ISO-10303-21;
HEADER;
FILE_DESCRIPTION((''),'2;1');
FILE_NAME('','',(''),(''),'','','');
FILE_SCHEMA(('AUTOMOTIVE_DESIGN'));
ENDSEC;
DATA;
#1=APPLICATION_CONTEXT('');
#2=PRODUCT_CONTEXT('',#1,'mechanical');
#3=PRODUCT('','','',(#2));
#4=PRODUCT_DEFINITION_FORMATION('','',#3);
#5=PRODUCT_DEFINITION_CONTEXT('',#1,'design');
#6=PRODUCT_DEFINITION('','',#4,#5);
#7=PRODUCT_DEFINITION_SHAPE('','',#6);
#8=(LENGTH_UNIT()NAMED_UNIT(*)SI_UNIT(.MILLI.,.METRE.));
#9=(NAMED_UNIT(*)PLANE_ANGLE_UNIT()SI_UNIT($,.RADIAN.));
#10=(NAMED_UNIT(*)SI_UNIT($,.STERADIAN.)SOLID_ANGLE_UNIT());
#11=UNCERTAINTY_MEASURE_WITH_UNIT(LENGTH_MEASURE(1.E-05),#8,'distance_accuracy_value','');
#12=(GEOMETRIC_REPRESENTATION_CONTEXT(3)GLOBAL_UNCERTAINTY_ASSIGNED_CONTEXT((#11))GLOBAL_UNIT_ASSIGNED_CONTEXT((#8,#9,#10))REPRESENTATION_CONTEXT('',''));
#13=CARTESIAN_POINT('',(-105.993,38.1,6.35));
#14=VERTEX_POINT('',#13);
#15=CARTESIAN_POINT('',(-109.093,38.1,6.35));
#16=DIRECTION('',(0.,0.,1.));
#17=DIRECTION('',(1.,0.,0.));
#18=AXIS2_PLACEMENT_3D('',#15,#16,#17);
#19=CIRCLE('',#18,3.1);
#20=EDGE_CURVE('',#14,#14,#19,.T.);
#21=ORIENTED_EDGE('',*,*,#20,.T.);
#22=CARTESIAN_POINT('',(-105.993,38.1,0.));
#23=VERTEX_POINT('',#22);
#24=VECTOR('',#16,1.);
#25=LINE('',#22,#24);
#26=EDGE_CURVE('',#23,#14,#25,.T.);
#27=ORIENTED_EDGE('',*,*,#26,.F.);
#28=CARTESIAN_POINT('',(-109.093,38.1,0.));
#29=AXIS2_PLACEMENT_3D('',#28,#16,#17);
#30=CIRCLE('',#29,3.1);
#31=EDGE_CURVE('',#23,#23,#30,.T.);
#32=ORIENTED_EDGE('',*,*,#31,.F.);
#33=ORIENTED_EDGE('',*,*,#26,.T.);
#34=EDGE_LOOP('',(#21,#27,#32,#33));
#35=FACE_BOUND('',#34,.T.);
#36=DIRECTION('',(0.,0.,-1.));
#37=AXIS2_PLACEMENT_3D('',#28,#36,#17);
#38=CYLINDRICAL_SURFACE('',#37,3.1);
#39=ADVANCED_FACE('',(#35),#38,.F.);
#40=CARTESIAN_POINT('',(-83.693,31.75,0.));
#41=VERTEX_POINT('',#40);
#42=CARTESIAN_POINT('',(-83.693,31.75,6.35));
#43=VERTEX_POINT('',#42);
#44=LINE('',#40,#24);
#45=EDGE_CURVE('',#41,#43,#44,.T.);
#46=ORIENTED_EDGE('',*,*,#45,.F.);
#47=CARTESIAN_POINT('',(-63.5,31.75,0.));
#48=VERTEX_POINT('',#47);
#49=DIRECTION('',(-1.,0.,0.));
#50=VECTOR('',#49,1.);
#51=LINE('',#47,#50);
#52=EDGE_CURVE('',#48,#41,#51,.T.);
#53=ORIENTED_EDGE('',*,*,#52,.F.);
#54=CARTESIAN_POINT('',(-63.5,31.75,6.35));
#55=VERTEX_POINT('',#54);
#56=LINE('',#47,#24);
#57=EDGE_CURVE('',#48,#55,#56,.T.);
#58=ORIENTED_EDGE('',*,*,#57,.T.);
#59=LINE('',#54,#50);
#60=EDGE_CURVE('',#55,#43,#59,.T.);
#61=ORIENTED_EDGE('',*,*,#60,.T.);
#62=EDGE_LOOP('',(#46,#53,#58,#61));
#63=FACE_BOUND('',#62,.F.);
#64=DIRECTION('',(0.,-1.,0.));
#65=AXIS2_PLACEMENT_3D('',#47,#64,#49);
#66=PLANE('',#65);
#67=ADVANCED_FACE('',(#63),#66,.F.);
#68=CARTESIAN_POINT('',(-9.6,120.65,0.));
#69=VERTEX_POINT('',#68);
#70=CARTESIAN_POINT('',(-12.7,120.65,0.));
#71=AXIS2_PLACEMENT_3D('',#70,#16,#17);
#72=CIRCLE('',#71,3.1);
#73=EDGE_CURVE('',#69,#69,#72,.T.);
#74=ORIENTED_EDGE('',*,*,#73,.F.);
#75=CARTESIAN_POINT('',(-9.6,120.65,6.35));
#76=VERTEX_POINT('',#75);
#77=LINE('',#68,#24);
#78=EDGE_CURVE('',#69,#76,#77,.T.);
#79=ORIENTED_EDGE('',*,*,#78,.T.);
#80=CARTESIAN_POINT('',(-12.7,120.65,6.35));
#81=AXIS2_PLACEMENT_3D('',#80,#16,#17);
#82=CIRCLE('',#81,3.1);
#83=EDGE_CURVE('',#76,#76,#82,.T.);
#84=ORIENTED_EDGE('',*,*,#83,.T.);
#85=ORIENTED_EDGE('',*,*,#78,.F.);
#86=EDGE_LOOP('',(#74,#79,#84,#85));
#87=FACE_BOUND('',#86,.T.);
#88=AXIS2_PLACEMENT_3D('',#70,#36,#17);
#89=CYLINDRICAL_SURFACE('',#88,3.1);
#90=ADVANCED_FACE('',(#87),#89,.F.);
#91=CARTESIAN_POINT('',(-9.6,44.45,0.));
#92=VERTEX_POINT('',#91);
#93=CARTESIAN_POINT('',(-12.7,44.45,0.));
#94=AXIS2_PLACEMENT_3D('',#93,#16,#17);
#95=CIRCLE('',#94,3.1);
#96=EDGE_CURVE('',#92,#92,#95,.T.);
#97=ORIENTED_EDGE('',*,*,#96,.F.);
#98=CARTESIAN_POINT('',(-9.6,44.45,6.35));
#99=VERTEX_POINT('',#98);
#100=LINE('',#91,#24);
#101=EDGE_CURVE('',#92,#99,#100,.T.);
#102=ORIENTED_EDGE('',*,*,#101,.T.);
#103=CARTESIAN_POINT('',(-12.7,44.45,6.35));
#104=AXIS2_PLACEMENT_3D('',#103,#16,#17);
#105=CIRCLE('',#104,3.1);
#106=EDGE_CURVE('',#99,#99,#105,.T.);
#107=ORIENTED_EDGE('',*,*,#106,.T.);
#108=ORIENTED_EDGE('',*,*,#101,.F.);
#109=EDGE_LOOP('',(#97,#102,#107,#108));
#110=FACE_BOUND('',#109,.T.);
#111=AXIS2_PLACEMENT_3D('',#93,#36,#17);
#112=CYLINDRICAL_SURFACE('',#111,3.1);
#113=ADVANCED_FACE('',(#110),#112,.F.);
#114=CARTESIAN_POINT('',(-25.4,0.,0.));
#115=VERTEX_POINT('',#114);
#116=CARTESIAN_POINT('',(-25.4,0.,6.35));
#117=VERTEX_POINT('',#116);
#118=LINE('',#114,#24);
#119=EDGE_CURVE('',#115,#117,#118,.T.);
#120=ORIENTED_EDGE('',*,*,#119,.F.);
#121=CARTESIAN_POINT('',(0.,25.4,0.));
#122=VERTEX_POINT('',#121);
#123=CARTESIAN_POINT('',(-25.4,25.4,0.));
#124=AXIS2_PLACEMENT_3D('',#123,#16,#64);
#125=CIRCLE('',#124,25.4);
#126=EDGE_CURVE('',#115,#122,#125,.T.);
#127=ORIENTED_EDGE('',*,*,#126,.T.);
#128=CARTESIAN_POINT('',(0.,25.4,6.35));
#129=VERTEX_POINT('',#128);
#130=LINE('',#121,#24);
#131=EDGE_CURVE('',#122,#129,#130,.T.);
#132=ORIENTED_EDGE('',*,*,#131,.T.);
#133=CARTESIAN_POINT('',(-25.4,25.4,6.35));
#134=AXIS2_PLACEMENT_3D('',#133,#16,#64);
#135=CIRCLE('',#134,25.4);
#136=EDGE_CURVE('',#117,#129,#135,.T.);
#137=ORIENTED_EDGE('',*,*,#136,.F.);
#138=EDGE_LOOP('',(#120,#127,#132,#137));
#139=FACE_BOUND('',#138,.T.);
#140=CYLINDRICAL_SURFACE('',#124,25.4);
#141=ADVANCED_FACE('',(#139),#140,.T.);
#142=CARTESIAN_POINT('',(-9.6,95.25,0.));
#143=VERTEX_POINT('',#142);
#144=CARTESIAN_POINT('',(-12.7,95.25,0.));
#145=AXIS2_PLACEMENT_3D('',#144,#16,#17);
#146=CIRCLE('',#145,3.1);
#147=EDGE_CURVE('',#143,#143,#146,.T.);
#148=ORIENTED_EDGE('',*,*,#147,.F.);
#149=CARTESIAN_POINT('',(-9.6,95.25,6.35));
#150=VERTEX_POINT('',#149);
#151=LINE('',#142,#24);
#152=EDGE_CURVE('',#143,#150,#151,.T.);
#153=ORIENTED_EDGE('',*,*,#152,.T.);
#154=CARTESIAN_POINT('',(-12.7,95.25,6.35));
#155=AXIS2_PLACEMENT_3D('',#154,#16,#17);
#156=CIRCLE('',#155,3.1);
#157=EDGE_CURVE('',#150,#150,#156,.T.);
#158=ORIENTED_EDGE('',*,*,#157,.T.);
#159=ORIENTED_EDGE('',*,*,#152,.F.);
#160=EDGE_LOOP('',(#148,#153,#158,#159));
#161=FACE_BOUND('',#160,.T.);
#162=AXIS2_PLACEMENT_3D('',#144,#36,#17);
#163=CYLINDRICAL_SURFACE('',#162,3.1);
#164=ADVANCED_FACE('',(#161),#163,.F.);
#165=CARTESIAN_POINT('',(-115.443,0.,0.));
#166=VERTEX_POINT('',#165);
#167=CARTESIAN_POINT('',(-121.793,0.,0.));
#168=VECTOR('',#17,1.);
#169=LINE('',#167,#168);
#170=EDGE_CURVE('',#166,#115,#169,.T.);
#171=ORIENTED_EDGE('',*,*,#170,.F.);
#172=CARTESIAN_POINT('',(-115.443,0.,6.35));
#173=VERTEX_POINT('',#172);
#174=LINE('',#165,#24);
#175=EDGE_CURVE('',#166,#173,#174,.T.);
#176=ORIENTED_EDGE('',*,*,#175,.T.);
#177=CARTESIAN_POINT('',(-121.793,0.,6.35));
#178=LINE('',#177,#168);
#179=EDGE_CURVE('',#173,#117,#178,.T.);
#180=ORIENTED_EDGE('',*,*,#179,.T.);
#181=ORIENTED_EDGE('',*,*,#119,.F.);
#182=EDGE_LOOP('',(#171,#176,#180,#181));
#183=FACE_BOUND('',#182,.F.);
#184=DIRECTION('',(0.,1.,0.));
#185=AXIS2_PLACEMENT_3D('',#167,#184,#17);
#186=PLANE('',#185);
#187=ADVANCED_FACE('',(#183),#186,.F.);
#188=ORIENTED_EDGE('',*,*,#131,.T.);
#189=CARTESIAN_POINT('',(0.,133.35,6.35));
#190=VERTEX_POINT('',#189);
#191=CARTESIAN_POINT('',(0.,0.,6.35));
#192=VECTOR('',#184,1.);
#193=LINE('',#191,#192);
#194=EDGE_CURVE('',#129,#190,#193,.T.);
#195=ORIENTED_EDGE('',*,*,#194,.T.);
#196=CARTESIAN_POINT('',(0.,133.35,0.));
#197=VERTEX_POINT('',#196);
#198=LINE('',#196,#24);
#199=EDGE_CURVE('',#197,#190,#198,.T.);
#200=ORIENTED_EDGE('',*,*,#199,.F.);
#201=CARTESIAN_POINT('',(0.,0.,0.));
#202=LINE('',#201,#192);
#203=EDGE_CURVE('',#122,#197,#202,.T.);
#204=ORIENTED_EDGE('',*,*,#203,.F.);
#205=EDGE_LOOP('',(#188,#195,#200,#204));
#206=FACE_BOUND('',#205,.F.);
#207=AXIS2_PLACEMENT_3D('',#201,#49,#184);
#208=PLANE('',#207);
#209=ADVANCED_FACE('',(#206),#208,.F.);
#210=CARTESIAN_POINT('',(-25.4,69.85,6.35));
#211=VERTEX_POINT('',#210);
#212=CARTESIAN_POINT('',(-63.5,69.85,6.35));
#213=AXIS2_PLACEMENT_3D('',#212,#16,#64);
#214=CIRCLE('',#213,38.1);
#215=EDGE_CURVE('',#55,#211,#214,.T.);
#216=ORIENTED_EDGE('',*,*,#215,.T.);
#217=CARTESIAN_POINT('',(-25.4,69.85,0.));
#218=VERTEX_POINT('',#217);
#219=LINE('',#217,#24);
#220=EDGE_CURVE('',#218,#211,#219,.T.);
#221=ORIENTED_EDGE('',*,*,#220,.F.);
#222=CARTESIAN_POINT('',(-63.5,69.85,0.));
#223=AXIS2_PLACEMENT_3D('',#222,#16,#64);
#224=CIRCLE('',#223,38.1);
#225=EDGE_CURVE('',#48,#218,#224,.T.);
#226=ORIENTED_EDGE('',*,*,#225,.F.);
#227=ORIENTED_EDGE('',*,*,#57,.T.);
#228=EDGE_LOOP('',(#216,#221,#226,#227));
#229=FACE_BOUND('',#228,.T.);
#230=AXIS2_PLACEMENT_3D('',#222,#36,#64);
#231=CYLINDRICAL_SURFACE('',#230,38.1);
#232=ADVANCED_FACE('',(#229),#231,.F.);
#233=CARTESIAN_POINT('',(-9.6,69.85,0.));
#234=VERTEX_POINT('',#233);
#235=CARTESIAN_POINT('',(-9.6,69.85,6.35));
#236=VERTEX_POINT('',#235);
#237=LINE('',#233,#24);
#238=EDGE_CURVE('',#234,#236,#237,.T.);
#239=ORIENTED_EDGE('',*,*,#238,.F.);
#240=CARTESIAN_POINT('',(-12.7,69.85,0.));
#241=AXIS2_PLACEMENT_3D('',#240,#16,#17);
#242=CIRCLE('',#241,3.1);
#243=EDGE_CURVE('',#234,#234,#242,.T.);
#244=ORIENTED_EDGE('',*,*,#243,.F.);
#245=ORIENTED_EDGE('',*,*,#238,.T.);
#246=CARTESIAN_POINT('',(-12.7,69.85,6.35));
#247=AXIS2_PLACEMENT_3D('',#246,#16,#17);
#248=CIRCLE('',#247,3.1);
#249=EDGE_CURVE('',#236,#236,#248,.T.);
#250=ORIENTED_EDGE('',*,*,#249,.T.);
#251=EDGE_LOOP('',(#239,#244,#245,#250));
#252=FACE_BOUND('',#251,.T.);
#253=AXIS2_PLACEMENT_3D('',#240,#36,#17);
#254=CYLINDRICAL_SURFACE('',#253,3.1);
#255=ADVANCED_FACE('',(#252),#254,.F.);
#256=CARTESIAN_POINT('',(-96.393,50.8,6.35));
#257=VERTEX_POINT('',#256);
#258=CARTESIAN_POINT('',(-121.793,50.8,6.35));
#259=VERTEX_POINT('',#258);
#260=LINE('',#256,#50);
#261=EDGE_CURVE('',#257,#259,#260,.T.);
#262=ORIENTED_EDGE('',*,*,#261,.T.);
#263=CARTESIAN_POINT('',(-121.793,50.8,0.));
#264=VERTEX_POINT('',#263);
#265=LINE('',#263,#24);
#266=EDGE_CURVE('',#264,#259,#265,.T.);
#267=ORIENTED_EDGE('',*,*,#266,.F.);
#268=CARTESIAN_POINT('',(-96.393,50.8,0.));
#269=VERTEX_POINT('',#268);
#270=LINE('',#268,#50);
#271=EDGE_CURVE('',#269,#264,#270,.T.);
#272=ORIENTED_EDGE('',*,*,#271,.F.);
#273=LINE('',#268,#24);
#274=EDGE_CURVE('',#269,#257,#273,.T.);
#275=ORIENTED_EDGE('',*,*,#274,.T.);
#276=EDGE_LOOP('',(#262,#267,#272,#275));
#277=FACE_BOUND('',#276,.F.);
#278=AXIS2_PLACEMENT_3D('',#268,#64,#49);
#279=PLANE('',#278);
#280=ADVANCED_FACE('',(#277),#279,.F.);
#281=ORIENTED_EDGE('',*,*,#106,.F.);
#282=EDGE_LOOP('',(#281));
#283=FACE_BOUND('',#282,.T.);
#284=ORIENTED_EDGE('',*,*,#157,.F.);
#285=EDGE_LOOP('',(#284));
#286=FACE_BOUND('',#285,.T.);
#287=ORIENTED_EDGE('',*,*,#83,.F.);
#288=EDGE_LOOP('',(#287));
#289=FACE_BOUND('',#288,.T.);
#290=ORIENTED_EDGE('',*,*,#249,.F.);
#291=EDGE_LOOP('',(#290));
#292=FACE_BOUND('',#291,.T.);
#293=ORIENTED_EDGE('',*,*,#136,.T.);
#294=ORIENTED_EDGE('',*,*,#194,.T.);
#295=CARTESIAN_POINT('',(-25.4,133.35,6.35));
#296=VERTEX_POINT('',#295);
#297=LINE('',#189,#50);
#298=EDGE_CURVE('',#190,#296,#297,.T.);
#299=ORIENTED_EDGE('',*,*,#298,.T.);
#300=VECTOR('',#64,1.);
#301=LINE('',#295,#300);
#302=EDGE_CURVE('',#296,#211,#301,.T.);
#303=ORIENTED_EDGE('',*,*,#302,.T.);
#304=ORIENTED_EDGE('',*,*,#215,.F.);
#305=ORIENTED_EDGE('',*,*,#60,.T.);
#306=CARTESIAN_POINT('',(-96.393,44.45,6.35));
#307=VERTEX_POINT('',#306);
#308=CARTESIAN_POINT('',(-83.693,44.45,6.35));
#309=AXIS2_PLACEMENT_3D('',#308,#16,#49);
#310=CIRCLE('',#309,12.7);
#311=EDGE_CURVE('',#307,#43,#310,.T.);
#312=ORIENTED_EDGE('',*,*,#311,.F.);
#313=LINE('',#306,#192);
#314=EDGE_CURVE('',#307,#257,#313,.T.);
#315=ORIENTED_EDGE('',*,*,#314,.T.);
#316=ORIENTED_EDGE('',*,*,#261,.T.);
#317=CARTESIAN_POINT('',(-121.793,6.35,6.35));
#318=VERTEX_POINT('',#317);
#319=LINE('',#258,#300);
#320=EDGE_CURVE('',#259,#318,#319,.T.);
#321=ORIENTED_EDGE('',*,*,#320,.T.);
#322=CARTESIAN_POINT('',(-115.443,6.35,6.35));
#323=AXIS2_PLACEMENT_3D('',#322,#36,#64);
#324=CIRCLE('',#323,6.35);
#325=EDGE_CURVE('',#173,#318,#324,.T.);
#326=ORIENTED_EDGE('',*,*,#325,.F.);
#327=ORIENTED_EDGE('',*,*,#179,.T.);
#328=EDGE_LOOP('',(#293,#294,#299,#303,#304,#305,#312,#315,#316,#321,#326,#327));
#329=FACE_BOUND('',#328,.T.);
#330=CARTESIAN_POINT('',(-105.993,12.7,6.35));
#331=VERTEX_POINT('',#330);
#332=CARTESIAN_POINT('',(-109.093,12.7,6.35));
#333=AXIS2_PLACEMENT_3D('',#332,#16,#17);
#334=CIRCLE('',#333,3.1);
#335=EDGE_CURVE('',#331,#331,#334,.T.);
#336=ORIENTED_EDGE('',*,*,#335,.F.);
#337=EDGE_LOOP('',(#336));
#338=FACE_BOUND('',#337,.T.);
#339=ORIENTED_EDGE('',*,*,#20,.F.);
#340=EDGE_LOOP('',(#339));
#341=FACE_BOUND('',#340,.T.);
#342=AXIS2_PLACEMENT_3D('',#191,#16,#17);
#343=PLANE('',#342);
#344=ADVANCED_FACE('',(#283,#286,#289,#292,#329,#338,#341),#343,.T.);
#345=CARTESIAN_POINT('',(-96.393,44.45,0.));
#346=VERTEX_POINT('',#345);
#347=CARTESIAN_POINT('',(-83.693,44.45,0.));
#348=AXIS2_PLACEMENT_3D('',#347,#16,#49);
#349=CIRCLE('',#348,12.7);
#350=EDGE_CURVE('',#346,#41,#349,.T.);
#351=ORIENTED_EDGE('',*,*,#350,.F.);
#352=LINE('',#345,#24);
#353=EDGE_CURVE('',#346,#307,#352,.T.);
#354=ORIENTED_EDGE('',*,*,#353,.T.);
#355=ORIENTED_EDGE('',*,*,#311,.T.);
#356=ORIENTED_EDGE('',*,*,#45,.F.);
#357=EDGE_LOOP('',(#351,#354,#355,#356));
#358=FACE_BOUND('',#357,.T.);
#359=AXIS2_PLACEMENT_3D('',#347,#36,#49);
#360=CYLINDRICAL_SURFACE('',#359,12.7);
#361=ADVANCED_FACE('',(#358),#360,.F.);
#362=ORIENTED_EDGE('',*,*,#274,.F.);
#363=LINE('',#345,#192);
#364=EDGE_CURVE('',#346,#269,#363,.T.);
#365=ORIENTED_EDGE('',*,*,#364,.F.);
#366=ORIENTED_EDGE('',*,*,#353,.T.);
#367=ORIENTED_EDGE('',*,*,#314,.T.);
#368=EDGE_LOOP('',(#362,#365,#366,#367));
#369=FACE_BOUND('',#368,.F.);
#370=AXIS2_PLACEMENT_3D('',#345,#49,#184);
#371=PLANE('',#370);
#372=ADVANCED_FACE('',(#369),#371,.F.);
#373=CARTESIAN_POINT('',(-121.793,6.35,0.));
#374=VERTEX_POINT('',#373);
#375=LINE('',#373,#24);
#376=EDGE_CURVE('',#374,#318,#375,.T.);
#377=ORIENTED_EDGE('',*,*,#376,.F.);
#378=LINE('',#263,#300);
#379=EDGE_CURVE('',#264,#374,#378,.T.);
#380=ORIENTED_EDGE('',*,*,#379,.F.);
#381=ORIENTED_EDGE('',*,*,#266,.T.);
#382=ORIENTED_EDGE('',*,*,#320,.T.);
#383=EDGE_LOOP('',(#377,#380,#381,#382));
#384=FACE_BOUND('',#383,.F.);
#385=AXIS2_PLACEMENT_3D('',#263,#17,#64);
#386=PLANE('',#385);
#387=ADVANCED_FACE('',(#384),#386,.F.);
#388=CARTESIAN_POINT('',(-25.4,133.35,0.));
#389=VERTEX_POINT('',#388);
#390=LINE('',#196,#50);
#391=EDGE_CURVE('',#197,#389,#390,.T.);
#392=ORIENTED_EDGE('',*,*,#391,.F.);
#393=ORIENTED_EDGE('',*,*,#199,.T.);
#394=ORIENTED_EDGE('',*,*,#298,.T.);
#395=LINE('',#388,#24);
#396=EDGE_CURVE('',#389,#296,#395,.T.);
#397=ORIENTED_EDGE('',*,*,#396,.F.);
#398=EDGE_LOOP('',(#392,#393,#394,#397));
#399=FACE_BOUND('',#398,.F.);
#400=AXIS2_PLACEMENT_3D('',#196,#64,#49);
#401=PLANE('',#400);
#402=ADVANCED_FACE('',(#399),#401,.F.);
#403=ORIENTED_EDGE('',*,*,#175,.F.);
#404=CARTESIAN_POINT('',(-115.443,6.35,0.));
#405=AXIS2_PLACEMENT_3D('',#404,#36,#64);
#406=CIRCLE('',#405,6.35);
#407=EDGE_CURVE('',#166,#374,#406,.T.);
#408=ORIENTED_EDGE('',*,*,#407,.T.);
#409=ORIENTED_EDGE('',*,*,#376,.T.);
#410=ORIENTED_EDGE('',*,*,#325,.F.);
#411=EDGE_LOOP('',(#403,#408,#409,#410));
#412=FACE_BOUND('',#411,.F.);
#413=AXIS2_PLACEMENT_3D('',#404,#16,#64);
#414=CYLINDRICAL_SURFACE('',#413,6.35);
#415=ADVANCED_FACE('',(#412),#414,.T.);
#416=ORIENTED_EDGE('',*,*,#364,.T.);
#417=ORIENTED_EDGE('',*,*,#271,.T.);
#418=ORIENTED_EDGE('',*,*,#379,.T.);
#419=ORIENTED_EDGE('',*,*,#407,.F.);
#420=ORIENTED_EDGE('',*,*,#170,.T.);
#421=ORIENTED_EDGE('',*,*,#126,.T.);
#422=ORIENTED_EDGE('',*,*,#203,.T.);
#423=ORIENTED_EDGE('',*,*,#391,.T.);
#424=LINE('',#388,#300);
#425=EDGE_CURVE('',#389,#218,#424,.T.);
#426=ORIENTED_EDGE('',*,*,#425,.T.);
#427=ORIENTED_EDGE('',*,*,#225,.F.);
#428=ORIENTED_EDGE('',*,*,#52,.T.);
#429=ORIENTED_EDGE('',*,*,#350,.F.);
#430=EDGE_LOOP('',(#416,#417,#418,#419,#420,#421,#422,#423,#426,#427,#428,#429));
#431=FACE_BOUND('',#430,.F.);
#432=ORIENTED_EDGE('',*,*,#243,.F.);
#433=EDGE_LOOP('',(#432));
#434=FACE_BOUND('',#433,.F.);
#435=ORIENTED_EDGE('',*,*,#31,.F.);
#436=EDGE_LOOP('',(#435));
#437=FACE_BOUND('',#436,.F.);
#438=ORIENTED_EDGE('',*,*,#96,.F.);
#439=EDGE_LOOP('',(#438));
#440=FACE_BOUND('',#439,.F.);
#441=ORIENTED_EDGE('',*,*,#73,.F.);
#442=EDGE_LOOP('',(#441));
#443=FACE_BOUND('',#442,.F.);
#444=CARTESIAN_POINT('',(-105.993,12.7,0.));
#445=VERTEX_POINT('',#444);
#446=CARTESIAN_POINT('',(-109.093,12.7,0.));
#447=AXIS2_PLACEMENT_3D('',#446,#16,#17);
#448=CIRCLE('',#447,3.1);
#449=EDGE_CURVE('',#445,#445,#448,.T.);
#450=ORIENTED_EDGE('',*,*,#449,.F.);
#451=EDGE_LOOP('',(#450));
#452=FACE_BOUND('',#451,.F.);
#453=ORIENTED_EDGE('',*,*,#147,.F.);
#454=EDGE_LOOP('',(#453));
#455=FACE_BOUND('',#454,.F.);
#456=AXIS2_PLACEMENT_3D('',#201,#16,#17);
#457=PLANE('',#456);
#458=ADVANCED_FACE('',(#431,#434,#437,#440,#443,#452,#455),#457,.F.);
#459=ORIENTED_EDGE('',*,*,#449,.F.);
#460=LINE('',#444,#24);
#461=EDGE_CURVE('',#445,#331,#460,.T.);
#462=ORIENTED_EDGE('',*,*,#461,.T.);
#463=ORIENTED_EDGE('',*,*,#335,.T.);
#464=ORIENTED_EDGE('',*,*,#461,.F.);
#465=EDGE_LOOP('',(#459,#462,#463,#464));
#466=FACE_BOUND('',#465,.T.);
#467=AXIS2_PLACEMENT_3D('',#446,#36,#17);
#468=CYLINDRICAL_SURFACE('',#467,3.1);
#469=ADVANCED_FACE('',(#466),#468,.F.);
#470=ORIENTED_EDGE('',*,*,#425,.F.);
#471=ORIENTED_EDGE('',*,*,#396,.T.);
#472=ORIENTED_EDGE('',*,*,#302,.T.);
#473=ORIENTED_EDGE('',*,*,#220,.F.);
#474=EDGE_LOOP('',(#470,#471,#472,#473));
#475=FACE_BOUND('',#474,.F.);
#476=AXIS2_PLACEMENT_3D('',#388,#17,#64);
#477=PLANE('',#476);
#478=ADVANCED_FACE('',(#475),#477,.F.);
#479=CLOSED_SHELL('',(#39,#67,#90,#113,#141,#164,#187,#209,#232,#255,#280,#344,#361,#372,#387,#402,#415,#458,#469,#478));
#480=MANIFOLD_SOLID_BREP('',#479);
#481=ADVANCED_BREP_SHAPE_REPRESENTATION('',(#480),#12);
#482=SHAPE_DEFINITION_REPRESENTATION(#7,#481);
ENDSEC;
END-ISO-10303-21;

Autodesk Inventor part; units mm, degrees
ref_plane "YZ Plane" through (0, 0, 0) normal (1, 0, 0) x (0, 1, 0)
ref_plane "XZ Plane" through (0, 0, 0) normal (0, 1, 0) x (-1, 0, 0)
ref_plane "XY Plane" through (0, 0, 0) normal (0, 0, 1) x (1, 0, 0)
sketch "Sketch1" plane through (0, 0, 0) normal (0, 0, 1) x (1, 0, 0)
  line L0 (0, 0) -> (0, 133.35)
  line L1 (0, 133.35) -> (-25.4, 133.35)
  line L2 (-25.4, 133.35) -> (-25.4, 69.85)
  line L3 (-63.5, 31.75) -> (-83.693, 31.75)
  line L4 (-96.393, 44.45) -> (-96.393, 50.8)
  line L5 (-96.393, 50.8) -> (-121.793, 50.8)
  line L6 (-121.793, 50.8) -> (-121.793, 0)
  line L7 (-121.793, 0) -> (0, 0)
  arc A0 (-96.393, 44.45) -> (-83.693, 31.75) centre (-83.693, 44.45) ccw
  arc A1 (-63.5, 31.75) -> (-25.4, 69.85) centre (-63.5, 69.85) ccw
  circle A2 centre (-12.7, 120.65) radius 3.1
  circle A3 centre (-12.7, 95.25) radius 3.1
  circle A4 centre (-12.7, 69.85) radius 3.1
  circle A5 centre (-12.7, 44.45) radius 3.1
  circle A6 centre (-109.093, 38.1) radius 3.1
  circle A7 centre (-109.093, 12.7) radius 3.1
  point P0 (-25.4, 31.75)
  point P1 (-96.393, 31.75)
  dimension "d0" = 133.35
  dimension "d1" = 25.4
  dimension "d2" = 101.6
  dimension "d3" = 70.993
  dimension "d4" = 19.05
  dimension "d5" = 25.4
  dimension "d6" = 12.7
  dimension "d7" = 38.1
  dimension "d8" = 6.2
  dimension "d9" = 12.7
  dimension "d10" = 12.7
  dimension "d13" = 25.4
  dimension "d18" = 6.2
  dimension "d19" = 12.7
  dimension "d20" = 12.7
  dimension "d21" = 6.2
  dimension "d22" = 25.4
extrude "Extrusion1" add sketch "Sketch1" along normal blind 6.35
fillet "Fillet1" radius 25.4 1 edges at (0, 0, 3.175)
fillet "Fillet2" radius 6.35 1 edges at (-121.793, 0, 3.175)
properties part number "sidethrustalum" material "Aluminum 6061"
